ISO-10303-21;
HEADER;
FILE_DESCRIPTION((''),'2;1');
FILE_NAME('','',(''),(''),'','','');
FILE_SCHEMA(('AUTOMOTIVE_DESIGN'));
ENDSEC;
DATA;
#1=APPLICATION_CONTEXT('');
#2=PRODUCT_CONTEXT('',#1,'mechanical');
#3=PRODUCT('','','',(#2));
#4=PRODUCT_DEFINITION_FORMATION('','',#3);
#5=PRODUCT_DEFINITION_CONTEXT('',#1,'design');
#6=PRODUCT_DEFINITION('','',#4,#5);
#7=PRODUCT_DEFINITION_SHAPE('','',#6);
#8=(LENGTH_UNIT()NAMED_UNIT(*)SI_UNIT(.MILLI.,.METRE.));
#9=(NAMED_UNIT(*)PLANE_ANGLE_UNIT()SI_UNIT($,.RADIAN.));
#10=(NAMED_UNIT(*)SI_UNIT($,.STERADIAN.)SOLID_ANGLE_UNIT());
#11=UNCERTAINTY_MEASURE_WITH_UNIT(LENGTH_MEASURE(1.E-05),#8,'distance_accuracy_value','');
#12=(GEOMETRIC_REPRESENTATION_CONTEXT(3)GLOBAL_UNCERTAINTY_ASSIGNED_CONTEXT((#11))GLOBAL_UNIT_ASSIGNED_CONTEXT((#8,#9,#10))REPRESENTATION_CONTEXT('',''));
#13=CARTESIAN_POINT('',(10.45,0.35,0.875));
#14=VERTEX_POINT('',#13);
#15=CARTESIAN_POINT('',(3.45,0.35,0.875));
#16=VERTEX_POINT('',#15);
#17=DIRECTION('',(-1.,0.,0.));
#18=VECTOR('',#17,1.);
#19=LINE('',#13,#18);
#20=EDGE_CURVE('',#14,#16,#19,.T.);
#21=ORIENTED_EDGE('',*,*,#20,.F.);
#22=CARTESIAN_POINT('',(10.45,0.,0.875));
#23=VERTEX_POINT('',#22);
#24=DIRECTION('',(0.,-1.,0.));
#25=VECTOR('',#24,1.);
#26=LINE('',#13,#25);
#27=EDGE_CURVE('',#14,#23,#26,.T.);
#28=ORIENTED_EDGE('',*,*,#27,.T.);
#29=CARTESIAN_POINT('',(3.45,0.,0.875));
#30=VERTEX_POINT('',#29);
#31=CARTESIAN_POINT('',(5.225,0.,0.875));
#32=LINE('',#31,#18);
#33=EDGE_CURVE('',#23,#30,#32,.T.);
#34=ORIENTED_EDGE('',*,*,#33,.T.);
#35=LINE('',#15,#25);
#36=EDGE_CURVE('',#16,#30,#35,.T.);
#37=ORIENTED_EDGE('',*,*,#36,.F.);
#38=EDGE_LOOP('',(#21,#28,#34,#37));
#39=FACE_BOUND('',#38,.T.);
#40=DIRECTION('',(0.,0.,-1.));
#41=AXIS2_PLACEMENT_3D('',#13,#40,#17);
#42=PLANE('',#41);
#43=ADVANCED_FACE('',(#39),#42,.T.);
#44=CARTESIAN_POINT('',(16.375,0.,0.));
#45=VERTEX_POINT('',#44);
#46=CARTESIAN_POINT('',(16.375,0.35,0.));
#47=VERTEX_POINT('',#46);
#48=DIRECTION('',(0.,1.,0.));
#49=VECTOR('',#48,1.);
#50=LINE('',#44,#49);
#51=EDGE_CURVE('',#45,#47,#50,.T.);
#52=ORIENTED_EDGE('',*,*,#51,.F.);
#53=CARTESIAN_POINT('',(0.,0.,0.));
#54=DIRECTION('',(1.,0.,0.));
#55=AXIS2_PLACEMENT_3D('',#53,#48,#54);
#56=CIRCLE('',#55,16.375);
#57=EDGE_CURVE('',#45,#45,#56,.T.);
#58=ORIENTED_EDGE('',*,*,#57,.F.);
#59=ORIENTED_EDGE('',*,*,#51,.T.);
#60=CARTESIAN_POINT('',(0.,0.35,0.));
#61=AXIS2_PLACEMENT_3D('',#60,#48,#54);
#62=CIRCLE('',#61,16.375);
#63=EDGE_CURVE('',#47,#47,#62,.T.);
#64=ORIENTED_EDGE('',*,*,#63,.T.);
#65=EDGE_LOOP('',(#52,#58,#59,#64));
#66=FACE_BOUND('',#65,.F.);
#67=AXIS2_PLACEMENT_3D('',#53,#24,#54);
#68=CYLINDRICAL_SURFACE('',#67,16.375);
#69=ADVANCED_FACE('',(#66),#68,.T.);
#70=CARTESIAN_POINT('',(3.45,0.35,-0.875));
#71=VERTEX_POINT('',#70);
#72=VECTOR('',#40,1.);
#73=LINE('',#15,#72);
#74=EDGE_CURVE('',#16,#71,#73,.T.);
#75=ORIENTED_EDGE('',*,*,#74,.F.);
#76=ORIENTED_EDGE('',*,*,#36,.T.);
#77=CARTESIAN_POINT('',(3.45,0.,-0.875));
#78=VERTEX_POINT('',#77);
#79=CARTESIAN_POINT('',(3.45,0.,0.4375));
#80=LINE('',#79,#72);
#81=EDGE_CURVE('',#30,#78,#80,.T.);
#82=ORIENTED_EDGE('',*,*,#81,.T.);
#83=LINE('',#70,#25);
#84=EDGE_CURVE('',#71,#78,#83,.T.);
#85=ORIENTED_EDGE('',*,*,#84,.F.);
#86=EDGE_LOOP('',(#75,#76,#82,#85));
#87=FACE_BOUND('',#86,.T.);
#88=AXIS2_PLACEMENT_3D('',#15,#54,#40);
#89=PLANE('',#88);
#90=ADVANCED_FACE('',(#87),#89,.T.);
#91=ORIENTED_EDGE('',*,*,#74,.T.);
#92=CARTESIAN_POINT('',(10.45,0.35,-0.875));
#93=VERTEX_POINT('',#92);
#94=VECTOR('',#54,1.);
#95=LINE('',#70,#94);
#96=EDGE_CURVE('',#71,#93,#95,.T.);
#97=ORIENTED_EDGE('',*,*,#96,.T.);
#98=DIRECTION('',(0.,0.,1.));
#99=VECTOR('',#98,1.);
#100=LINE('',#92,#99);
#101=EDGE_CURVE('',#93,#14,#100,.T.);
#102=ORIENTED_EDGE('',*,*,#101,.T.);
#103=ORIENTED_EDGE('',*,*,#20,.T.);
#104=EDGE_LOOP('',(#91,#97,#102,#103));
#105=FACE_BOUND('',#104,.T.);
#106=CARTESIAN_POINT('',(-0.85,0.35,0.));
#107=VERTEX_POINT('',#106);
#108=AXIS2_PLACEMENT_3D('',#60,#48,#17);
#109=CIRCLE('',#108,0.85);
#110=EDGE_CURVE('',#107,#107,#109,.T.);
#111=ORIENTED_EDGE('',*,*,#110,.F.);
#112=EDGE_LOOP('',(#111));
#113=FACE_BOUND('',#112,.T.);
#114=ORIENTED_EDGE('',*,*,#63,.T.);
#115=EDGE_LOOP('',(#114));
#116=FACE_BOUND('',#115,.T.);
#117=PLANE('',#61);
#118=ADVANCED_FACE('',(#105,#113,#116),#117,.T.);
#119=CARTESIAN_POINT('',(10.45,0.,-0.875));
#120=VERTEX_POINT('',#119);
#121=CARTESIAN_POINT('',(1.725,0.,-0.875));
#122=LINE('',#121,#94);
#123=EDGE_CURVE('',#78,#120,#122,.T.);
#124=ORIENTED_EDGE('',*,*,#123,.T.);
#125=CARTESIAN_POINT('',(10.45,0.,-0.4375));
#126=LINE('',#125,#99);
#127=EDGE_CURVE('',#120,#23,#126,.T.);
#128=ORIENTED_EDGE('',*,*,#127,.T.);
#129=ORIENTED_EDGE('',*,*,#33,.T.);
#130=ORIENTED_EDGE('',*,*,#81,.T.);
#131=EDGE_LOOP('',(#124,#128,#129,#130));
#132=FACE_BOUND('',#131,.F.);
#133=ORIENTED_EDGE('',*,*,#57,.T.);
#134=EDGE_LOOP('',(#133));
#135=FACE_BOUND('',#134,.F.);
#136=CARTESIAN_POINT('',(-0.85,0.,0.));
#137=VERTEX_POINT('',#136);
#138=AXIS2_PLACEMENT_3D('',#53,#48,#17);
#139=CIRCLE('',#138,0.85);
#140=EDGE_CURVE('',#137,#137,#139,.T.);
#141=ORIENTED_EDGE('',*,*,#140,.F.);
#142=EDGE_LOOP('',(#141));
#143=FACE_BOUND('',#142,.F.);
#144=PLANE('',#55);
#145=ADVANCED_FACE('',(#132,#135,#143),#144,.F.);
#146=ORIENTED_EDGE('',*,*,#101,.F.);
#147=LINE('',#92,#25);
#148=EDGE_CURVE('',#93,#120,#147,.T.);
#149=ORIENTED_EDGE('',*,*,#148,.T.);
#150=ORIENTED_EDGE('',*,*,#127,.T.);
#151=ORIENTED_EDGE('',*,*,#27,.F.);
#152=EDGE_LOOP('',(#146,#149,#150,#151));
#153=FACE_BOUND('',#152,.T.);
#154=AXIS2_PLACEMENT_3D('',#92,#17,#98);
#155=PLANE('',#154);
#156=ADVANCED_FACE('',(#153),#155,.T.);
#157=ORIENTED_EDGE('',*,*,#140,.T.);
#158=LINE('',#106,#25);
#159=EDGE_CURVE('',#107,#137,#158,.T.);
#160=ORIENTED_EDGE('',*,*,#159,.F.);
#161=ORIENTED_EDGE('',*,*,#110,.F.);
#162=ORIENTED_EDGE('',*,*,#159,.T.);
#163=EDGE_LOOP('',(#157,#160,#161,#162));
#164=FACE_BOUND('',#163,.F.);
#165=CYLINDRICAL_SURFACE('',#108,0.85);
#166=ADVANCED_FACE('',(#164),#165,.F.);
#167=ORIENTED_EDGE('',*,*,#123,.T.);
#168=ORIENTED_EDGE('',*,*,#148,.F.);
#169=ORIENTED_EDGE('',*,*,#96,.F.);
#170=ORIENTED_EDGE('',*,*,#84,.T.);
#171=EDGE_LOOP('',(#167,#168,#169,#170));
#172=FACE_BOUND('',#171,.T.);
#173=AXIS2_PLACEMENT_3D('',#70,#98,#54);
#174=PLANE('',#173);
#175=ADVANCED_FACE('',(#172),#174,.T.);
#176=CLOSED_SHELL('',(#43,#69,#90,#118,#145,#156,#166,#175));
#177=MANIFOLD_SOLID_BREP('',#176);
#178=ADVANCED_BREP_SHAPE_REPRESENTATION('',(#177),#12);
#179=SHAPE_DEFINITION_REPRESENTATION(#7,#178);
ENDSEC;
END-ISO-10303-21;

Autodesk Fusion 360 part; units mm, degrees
sketch "Sketch4" plane through (0, 0, 0) normal (0, 1, 0) x (1, 0, 0)
  circle A0 centre (0, 0) radius 16.375
  dimension "d2" = 32.75
extrude "Extrude1" add sketch "Sketch4" along normal blind 0.35
sketch "Sketch5" plane through (0, 0.35, 0) normal (0, 1, 0) x (-1, 0, 0)
  circle A0 centre (0, 0) radius 16.375
  circle A1 centre (0, 0) radius 0.85
  line L0 (-3.45, -0.875) -> (-10.45, -0.875)
  line L1 (-10.45, -0.875) -> (-10.45, 0.875)
  line L2 (-10.45, 0.875) -> (-3.45, 0.875)
  line L3 (-3.45, 0.875) -> (-3.45, -0.875)
  dimension "d11" = 1.7
  dimension "d12" = 7
  dimension "d14" = 1.75
  dimension "d15" = 3.45
  dimension "d16" = 0.875
extrude "Extrude2" cut sketch "Sketch5" against normal through all contours A1 | L0 L1 L2 L3
sketch "Sketch7" plane through (0, 0.35, 0) normal (0, 1, 0) x (-1, 0, 0)
  circle A0 centre (0, 0) radius 0.85
  line L0 (-3.45, 0.875) -> (-3.45, -0.875)
  line L1 (-3.45, -0.875) -> (-10.45, -0.875)
  line L2 (-10.45, -0.875) -> (-10.45, 0.875)
  line L3 (-10.45, 0.875) -> (-3.45, 0.875)
  circle A1 centre (0, 0) radius 16.375
  line L4 (0.375, 12.5) -> (-0.375, 12.5)
  line L5 (-0.375, 12.5) -> (-0.375, 14.5)
  line L6 (-0.375, 14.5) -> (0.375, 14.5)
  line L7 (0.375, 14.5) -> (0.375, 12.5)
  circle A2 centre (0, 0) radius 15.5
  line L8 (-6.5748, 10.6378) -> (-7.5748, 12.3699)
  line L9 (-6.9252, 12.7449) -> (-5.9252, 11.0128)
  line L10 (-5.9252, 11.0128) -> (-6.5748, 10.6378)
  line L11 (-7.5748, 12.3699) -> (-6.9252, 12.7449)
  line L12 (-11.0128, 5.9252) -> (-12.7449, 6.9252)
  line L13 (-12.3699, 7.5748) -> (-10.6378, 6.5748)
  line L14 (-10.6378, 6.5748) -> (-11.0128, 5.9252)
  line L15 (-12.7449, 6.9252) -> (-12.3699, 7.5748)
  line L16 (-10.6378, -6.5748) -> (-12.3699, -7.5748)
  line L17 (-12.7449, -6.9252) -> (-11.0128, -5.9252)
  line L18 (-11.0128, -5.9252) -> (-10.6378, -6.5748)
  line L19 (-12.3699, -7.5748) -> (-12.7449, -6.9252)
  line L20 (-5.9252, -11.0128) -> (-6.9252, -12.7449)
  line L21 (-7.5748, -12.3699) -> (-6.5748, -10.6378)
  line L22 (-6.5748, -10.6378) -> (-5.9252, -11.0128)
  line L23 (-6.9252, -12.7449) -> (-7.5748, -12.3699)
  line L24 (6.5748, -10.6378) -> (7.5748, -12.3699)
  line L25 (6.9252, -12.7449) -> (5.9252, -11.0128)
  line L26 (5.9252, -11.0128) -> (6.5748, -10.6378)
  line L27 (7.5748, -12.3699) -> (6.9252, -12.7449)
  line L28 (11.0128, -5.9252) -> (12.7449, -6.9252)
  line L29 (12.3699, -7.5748) -> (10.6378, -6.5748)
  line L30 (10.6378, -6.5748) -> (11.0128, -5.9252)
  line L31 (12.7449, -6.9252) -> (12.3699, -7.5748)
  line L32 (10.6378, 6.5748) -> (12.3699, 7.5748)
  line L33 (12.7449, 6.9252) -> (11.0128, 5.9252)
  line L34 (11.0128, 5.9252) -> (10.6378, 6.5748)
  line L35 (12.3699, 7.5748) -> (12.7449, 6.9252)
  line L36 (5.9252, 11.0128) -> (6.9252, 12.7449)
  line L37 (7.5748, 12.3699) -> (6.5748, 10.6378)
  line L38 (6.5748, 10.6378) -> (5.9252, 11.0128)
  line L39 (6.9252, 12.7449) -> (7.5748, 12.3699)
  line L40 (0.75, -14.5) -> (-0.75, -14.5)
  line L41 (-0.75, -14.5) -> (0, -11.75)
  line L42 (0, -11.75) -> (0.75, -14.5)
  line L43 (0, -14.5) -> (0, -11.75)
  line L44 (-12.5, -0.375) -> (-14.5, -0.375)
  line L45 (-14.5, 0.375) -> (-12.5, 0.375)
  line L46 (-12.5, 0.375) -> (-12.5, -0.375)
  line L47 (-14.5, -0.375) -> (-14.5, 0.375)
  line L48 (12.5, 0.375) -> (14.5, 0.375)
  line L49 (14.5, -0.375) -> (12.5, -0.375)
  line L50 (12.5, -0.375) -> (12.5, 0.375)
  line L51 (14.5, 0.375) -> (14.5, -0.375)
  dimension "d20" = 0.75
  dimension "d21" = 2
  dimension "d24" = 31
  dimension "d26" = 0.375
  dimension "d31" = 2.75
  dimension "d32" = 1.5
  dimension "d33" = 0.75
  dimension "d34" = 14.5
  dimension "d35" = 14.5
sketch "Sketch8" plane through (0, 0.35, 0) normal (0, 1, 0) x (-1, 0, 0)
  circle A0 centre (0, 0) radius 0.85
  line L0 (-3.45, 0.875) -> (-3.45, -0.875)
  line L1 (-3.45, -0.875) -> (-10.45, -0.875)
  line L2 (-10.45, -0.875) -> (-10.45, 0.875)
  line L3 (-10.45, 0.875) -> (-3.45, 0.875)
  circle A1 centre (0, 0) radius 16.375
  line L4 (-5.4637, -8.2785) -> (-5.7091, -8.2785) construction
  line L5 (-5.7091, -8.2785) -> (-5.7091, -10.7785) construction
  line L6 (-5.7091, -10.7785) -> (-5.4637, -10.7785) construction
  line L7 (-5.4637, -10.7785) -> (-5.4637, -8.2785) construction
  line L8 (-9.0419, -4.7) -> (-9.8, -4.7) construction
  line L9 (-9.8, -4.7) -> (-9.8, -7.2) construction
  line L10 (-9.8, -7.2) -> (-9.0419, -7.2) construction
  line L11 (-9.0419, -7.2) -> (-9.0419, -4.7) construction
  line L12 (-11.1719, 1.0124) -> (-11.9349, 1.0124) construction
  line L13 (-11.9349, 1.0124) -> (-11.9349, -1.4876) construction
  line L14 (-11.9349, -1.4876) -> (-11.1719, -1.4876) construction
  line L15 (-11.1719, -1.4876) -> (-11.1719, 1.0124) construction
  line L16 (7.2613, -3.0997) -> (-7.3506, -3.0997) construction
  line L17 (-7.3506, -3.0997) -> (-7.3506, -6.0997) construction
  line L18 (-7.3506, -6.0997) -> (7.2613, -6.0997) construction
  line L19 (7.2613, -6.0997) -> (7.2613, -3.0997) construction
  line L20 (5.6532, -8.2) -> (4.9, -8.2) construction
  line L21 (4.9, -8.2) -> (4.9, -10.7) construction
  line L22 (4.9, -10.7) -> (5.6532, -10.7) construction
  line L23 (5.6532, -10.7) -> (5.6532, -8.2) construction
  line L24 (9.9968, -4.559) -> (8.654, -4.559) construction
  line L25 (8.654, -4.559) -> (8.654, -7.059) construction
  line L26 (8.654, -7.059) -> (9.9968, -7.059) construction
  line L27 (9.9968, -7.059) -> (9.9968, -4.559) construction
  line L28 (-9, 6.5) -> (-9.8447, 6.5) construction
  line L29 (-9.8447, 6.5) -> (-9.8447, 4) construction
  line L30 (-9.8447, 4) -> (-9, 4) construction
  line L31 (-9, 4) -> (-9, 6.5) construction
  line L32 (-5.2603, 10.2723) -> (-6, 10.2723) construction
  line L33 (-6, 10.2723) -> (-6, 7.7723) construction
  line L34 (-6, 7.7723) -> (-5.2603, 7.7723) construction
  line L35 (-5.2603, 7.7723) -> (-5.2603, 10.2723) construction
  line L36 (0.375, 11.567) -> (-0.3818, 11.567) construction
  line L37 (-0.3818, 11.567) -> (-0.3818, 9.067) construction
  line L38 (-0.3818, 9.067) -> (0.375, 9.067) construction
  line L39 (0.375, 9.067) -> (0.375, 11.567) construction
  line L40 (5.7526, 10.3802) -> (4.9958, 10.3802) construction
  line L41 (4.9958, 10.3802) -> (4.9958, 7.8802) construction
  line L42 (4.9958, 7.8802) -> (5.7526, 7.8802) construction
  line L43 (5.7526, 7.8802) -> (5.7526, 10.3802) construction
  line L44 (10, 6.5) -> (9.2249, 6.5) construction
  line L45 (9.2249, 6.5) -> (9.2249, 4) construction
  line L46 (9.2249, 4) -> (10, 4) construction
  line L47 (10, 4) -> (10, 6.5) construction
  line L48 (11.7568, 1) -> (11, 1) construction
  line L49 (11, 1) -> (11, -1.5) construction
  line L50 (11, -1.5) -> (11.7568, -1.5) construction
  line L51 (11.7568, -1.5) -> (11.7568, 1) construction
  line L52 (0.6011, -9.0275) -> (-0.6721, -9.0275) construction
  line L53 (-0.6721, -9.0275) -> (-0.6721, -11.5275) construction
  line L54 (-0.6721, -11.5275) -> (0.6011, -11.5275) construction
  line L55 (0.6011, -11.5275) -> (0.6011, -9.0275) construction
